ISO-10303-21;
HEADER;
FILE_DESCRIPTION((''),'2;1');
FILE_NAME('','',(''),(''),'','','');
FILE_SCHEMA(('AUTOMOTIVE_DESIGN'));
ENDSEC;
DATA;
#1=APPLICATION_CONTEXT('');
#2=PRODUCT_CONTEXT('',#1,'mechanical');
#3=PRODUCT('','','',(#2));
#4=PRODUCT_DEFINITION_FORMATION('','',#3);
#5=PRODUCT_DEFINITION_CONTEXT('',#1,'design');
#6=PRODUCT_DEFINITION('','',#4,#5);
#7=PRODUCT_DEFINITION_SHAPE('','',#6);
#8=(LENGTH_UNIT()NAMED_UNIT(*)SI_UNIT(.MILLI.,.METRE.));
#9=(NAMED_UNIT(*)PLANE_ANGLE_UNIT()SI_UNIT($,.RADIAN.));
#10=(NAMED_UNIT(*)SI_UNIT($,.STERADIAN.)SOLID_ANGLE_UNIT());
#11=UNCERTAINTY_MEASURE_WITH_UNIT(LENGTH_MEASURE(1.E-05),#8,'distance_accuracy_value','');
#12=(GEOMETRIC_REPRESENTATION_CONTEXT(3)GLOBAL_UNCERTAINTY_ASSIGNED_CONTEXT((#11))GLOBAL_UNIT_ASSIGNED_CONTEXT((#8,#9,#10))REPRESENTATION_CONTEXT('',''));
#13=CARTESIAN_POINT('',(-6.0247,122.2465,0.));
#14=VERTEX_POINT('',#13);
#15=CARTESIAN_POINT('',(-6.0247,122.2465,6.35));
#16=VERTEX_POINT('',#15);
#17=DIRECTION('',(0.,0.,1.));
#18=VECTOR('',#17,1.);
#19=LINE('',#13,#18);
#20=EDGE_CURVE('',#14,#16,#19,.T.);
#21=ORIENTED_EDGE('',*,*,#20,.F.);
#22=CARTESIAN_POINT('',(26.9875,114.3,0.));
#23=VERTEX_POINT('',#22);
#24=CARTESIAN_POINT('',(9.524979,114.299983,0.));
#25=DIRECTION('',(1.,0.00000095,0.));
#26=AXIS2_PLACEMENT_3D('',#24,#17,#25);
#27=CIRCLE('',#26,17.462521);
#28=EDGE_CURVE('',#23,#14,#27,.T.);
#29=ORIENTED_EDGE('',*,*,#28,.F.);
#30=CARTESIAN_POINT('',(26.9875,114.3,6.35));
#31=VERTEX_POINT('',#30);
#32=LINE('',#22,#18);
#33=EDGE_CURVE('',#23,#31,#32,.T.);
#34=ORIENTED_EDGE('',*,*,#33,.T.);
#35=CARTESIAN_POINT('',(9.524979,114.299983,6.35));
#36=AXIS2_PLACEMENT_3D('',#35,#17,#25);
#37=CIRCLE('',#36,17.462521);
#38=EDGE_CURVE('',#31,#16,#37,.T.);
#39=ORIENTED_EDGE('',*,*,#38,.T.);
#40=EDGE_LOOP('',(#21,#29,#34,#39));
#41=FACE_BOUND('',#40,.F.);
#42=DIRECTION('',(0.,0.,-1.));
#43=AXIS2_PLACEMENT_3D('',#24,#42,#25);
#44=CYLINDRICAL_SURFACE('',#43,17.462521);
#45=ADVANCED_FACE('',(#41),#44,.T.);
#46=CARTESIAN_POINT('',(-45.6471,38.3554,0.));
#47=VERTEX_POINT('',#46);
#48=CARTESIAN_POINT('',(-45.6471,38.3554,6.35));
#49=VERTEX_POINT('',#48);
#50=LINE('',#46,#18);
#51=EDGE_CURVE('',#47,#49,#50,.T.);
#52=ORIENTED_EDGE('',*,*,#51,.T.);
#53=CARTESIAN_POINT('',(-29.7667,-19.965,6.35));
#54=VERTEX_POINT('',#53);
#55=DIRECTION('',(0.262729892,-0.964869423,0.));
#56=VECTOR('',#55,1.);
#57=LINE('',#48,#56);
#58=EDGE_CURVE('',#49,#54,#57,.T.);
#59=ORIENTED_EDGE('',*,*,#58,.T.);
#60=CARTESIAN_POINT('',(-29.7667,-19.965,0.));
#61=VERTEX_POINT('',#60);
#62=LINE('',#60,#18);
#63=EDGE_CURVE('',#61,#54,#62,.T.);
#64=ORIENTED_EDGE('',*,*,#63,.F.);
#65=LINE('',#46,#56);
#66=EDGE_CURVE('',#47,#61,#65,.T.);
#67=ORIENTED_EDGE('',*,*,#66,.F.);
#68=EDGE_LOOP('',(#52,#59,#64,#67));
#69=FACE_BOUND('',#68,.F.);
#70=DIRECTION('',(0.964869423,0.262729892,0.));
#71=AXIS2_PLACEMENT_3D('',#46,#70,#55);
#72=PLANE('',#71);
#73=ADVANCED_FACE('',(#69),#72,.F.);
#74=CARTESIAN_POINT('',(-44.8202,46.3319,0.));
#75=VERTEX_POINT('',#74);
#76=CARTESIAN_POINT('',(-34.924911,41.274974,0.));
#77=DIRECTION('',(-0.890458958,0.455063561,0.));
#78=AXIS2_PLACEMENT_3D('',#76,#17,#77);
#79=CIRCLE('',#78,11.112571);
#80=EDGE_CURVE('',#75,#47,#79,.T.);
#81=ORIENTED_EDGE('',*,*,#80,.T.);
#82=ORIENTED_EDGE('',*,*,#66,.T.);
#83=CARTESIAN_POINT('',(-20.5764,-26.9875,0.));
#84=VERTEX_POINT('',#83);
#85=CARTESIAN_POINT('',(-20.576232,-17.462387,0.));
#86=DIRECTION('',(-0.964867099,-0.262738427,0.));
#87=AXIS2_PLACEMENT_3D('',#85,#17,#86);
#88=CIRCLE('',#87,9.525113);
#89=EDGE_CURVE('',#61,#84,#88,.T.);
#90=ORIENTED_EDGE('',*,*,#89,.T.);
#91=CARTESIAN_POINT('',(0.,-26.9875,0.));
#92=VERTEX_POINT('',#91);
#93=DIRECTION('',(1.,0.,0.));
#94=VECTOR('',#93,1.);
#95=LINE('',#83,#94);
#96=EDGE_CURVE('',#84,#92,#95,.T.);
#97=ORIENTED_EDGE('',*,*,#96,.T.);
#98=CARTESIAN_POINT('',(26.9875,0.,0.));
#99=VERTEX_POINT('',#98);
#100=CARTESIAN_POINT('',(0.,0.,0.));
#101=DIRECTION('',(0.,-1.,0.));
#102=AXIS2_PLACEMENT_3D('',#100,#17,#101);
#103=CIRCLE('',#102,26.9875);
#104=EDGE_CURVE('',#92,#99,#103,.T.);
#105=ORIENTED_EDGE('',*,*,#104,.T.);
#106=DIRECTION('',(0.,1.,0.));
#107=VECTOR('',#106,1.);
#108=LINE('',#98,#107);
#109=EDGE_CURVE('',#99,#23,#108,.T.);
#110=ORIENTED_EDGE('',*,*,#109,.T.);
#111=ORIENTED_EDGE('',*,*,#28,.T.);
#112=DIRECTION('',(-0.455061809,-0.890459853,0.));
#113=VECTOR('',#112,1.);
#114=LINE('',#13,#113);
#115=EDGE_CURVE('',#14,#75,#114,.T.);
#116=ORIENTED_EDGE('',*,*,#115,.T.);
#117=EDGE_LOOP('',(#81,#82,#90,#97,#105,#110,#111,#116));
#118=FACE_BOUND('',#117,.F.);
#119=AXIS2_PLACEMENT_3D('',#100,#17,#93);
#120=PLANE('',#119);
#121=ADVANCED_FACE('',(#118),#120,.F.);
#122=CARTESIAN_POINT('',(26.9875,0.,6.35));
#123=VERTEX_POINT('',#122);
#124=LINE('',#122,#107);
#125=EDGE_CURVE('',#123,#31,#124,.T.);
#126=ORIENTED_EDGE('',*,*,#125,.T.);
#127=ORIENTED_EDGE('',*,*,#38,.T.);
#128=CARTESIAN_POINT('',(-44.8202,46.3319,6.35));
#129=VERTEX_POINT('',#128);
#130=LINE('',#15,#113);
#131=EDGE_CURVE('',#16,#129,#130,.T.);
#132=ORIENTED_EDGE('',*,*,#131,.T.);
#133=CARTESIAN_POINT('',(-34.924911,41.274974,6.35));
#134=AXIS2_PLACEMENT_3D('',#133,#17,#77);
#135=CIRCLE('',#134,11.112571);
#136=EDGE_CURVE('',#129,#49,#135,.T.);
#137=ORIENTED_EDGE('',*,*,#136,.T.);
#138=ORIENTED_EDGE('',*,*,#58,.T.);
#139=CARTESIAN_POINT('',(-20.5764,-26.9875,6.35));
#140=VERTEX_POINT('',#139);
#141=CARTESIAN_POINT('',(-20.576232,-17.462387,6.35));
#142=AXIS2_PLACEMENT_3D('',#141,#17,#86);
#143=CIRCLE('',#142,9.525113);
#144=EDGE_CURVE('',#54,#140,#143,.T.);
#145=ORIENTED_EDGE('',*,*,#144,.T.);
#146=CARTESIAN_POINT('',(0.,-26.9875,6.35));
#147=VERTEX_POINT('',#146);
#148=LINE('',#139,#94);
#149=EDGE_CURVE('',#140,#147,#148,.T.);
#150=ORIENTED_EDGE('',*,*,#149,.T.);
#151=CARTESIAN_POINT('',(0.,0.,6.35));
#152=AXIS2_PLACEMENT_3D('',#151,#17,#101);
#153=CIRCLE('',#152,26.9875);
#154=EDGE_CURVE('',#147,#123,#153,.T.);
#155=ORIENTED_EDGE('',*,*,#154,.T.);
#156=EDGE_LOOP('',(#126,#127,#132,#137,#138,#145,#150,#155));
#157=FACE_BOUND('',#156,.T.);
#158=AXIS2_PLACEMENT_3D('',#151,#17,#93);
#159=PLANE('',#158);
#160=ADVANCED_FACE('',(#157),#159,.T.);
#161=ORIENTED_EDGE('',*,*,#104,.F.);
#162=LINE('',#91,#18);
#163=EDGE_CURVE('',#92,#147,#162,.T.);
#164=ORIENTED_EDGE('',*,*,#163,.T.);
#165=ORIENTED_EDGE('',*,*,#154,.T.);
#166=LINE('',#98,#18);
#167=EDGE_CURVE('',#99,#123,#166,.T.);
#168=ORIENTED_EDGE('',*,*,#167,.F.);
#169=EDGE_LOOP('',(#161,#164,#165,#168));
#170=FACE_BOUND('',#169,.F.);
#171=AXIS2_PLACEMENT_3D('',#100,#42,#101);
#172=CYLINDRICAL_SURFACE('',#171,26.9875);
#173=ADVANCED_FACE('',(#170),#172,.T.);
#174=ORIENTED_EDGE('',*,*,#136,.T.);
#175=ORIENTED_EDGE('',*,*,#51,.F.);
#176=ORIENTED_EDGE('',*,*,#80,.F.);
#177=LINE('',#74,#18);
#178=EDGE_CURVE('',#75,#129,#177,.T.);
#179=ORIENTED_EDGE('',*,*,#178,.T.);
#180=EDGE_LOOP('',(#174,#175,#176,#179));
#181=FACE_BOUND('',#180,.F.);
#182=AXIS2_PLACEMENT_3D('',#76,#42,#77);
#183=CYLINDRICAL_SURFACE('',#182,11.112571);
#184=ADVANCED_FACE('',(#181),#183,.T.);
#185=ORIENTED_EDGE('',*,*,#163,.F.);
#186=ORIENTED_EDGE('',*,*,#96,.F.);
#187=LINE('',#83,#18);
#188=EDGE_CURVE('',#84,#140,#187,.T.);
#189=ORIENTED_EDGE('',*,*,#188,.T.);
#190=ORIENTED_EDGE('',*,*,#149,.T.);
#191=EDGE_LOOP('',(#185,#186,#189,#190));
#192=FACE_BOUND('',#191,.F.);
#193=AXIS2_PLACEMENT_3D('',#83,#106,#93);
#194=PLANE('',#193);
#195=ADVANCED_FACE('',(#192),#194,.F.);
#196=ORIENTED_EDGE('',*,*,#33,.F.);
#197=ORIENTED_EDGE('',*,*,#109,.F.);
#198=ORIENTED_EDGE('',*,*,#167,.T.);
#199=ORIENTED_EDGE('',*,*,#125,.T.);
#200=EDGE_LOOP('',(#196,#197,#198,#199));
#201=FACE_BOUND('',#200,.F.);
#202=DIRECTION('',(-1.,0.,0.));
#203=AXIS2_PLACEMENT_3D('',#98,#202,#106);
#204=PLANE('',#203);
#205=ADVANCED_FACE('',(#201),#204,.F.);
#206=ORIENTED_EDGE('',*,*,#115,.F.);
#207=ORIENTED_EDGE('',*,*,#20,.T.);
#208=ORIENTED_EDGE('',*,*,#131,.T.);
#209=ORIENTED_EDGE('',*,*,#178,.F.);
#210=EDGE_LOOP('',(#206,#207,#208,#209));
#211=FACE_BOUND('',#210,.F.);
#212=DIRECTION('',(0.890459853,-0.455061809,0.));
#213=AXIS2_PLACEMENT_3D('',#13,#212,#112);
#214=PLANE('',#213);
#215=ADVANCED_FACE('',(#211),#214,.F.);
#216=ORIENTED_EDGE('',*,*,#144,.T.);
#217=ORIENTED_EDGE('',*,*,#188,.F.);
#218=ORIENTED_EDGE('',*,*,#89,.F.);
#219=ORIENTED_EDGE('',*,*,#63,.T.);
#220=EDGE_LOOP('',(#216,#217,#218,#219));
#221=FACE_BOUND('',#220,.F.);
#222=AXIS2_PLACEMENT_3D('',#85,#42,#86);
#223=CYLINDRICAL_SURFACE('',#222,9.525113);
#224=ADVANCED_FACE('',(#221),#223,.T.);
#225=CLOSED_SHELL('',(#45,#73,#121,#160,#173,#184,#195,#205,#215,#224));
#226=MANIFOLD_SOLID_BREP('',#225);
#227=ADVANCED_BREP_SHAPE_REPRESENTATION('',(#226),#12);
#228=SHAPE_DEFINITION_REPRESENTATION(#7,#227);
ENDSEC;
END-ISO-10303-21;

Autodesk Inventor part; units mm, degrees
ref_plane "YZ Plane" through (0, 0, 0) normal (1, 0, 0) x (0, 1, 0)
ref_plane "XZ Plane" through (0, 0, 0) normal (0, 1, 0) x (-1, 0, 0)
ref_plane "XY Plane" through (0, 0, 0) normal (0, 0, 1) x (1, 0, 0)
sketch "Sketch1" plane through (0, 0, 0) normal (0, 0, 1) x (1, 0, 0)
  arc A0 (0, -22.225) -> (22.225, 0) centre (0, 0) ccw
  arc A1 (22.225, 114.3) -> (-1.7838, 120.0793) centre (9.525, 114.3) ccw
  line L0 (22.225, 114.3) -> (22.225, 0)
  arc A2 (-40.5794, 44.1646) -> (-41.0519, 39.6067) centre (-34.925, 41.275) ccw
  line L1 (-1.7838, 120.0793) -> (-40.5794, 44.1646)
  arc A3 (-25.1715, -18.7137) -> (-20.5764, -22.225) centre (-20.5764, -17.4625) ccw
  line L2 (-20.5764, -22.225) -> (0, -22.225)
  line L3 (-41.0519, 39.6067) -> (-25.1715, -18.7137)
  arc A4 (-29.7667, -19.965) -> (-20.5764, -26.9875) centre (-20.5764, -17.4625) ccw
  line L4 (-20.5764, -26.9875) -> (0, -26.9875)
  arc A5 (0, -26.9875) -> (26.9875, 0) centre (0, 0) ccw
  line L5 (26.9875, 0) -> (26.9875, 114.3)
  arc A6 (26.9875, 114.3) -> (-6.0247, 122.2465) centre (9.525, 114.3) ccw
  line L6 (-6.0247, 122.2465) -> (-44.8202, 46.3319)
  arc A7 (-44.8202, 46.3319) -> (-45.6471, 38.3554) centre (-34.925, 41.275) ccw
  line L7 (-45.6471, 38.3554) -> (-29.7667, -19.965)
  dimension "d0" = 44.45
  dimension "d1" = 25.4
  dimension "d2" = 114.3
  dimension "d3" = 12.7
  dimension "d4" = 41.275
  dimension "d5" = 34.925
  dimension "d6" = 9.525
  dimension "d7" = 4.7625
extrude "Extrusion1" add sketch "Sketch1" along normal blind 6.35 contours L2 A3 L3 A2 L1 A1 L0 A0 | L7 A7 L6 A6 L5 A5 L4 A4
properties part number "Temp Tread" material "UHMW, White"
